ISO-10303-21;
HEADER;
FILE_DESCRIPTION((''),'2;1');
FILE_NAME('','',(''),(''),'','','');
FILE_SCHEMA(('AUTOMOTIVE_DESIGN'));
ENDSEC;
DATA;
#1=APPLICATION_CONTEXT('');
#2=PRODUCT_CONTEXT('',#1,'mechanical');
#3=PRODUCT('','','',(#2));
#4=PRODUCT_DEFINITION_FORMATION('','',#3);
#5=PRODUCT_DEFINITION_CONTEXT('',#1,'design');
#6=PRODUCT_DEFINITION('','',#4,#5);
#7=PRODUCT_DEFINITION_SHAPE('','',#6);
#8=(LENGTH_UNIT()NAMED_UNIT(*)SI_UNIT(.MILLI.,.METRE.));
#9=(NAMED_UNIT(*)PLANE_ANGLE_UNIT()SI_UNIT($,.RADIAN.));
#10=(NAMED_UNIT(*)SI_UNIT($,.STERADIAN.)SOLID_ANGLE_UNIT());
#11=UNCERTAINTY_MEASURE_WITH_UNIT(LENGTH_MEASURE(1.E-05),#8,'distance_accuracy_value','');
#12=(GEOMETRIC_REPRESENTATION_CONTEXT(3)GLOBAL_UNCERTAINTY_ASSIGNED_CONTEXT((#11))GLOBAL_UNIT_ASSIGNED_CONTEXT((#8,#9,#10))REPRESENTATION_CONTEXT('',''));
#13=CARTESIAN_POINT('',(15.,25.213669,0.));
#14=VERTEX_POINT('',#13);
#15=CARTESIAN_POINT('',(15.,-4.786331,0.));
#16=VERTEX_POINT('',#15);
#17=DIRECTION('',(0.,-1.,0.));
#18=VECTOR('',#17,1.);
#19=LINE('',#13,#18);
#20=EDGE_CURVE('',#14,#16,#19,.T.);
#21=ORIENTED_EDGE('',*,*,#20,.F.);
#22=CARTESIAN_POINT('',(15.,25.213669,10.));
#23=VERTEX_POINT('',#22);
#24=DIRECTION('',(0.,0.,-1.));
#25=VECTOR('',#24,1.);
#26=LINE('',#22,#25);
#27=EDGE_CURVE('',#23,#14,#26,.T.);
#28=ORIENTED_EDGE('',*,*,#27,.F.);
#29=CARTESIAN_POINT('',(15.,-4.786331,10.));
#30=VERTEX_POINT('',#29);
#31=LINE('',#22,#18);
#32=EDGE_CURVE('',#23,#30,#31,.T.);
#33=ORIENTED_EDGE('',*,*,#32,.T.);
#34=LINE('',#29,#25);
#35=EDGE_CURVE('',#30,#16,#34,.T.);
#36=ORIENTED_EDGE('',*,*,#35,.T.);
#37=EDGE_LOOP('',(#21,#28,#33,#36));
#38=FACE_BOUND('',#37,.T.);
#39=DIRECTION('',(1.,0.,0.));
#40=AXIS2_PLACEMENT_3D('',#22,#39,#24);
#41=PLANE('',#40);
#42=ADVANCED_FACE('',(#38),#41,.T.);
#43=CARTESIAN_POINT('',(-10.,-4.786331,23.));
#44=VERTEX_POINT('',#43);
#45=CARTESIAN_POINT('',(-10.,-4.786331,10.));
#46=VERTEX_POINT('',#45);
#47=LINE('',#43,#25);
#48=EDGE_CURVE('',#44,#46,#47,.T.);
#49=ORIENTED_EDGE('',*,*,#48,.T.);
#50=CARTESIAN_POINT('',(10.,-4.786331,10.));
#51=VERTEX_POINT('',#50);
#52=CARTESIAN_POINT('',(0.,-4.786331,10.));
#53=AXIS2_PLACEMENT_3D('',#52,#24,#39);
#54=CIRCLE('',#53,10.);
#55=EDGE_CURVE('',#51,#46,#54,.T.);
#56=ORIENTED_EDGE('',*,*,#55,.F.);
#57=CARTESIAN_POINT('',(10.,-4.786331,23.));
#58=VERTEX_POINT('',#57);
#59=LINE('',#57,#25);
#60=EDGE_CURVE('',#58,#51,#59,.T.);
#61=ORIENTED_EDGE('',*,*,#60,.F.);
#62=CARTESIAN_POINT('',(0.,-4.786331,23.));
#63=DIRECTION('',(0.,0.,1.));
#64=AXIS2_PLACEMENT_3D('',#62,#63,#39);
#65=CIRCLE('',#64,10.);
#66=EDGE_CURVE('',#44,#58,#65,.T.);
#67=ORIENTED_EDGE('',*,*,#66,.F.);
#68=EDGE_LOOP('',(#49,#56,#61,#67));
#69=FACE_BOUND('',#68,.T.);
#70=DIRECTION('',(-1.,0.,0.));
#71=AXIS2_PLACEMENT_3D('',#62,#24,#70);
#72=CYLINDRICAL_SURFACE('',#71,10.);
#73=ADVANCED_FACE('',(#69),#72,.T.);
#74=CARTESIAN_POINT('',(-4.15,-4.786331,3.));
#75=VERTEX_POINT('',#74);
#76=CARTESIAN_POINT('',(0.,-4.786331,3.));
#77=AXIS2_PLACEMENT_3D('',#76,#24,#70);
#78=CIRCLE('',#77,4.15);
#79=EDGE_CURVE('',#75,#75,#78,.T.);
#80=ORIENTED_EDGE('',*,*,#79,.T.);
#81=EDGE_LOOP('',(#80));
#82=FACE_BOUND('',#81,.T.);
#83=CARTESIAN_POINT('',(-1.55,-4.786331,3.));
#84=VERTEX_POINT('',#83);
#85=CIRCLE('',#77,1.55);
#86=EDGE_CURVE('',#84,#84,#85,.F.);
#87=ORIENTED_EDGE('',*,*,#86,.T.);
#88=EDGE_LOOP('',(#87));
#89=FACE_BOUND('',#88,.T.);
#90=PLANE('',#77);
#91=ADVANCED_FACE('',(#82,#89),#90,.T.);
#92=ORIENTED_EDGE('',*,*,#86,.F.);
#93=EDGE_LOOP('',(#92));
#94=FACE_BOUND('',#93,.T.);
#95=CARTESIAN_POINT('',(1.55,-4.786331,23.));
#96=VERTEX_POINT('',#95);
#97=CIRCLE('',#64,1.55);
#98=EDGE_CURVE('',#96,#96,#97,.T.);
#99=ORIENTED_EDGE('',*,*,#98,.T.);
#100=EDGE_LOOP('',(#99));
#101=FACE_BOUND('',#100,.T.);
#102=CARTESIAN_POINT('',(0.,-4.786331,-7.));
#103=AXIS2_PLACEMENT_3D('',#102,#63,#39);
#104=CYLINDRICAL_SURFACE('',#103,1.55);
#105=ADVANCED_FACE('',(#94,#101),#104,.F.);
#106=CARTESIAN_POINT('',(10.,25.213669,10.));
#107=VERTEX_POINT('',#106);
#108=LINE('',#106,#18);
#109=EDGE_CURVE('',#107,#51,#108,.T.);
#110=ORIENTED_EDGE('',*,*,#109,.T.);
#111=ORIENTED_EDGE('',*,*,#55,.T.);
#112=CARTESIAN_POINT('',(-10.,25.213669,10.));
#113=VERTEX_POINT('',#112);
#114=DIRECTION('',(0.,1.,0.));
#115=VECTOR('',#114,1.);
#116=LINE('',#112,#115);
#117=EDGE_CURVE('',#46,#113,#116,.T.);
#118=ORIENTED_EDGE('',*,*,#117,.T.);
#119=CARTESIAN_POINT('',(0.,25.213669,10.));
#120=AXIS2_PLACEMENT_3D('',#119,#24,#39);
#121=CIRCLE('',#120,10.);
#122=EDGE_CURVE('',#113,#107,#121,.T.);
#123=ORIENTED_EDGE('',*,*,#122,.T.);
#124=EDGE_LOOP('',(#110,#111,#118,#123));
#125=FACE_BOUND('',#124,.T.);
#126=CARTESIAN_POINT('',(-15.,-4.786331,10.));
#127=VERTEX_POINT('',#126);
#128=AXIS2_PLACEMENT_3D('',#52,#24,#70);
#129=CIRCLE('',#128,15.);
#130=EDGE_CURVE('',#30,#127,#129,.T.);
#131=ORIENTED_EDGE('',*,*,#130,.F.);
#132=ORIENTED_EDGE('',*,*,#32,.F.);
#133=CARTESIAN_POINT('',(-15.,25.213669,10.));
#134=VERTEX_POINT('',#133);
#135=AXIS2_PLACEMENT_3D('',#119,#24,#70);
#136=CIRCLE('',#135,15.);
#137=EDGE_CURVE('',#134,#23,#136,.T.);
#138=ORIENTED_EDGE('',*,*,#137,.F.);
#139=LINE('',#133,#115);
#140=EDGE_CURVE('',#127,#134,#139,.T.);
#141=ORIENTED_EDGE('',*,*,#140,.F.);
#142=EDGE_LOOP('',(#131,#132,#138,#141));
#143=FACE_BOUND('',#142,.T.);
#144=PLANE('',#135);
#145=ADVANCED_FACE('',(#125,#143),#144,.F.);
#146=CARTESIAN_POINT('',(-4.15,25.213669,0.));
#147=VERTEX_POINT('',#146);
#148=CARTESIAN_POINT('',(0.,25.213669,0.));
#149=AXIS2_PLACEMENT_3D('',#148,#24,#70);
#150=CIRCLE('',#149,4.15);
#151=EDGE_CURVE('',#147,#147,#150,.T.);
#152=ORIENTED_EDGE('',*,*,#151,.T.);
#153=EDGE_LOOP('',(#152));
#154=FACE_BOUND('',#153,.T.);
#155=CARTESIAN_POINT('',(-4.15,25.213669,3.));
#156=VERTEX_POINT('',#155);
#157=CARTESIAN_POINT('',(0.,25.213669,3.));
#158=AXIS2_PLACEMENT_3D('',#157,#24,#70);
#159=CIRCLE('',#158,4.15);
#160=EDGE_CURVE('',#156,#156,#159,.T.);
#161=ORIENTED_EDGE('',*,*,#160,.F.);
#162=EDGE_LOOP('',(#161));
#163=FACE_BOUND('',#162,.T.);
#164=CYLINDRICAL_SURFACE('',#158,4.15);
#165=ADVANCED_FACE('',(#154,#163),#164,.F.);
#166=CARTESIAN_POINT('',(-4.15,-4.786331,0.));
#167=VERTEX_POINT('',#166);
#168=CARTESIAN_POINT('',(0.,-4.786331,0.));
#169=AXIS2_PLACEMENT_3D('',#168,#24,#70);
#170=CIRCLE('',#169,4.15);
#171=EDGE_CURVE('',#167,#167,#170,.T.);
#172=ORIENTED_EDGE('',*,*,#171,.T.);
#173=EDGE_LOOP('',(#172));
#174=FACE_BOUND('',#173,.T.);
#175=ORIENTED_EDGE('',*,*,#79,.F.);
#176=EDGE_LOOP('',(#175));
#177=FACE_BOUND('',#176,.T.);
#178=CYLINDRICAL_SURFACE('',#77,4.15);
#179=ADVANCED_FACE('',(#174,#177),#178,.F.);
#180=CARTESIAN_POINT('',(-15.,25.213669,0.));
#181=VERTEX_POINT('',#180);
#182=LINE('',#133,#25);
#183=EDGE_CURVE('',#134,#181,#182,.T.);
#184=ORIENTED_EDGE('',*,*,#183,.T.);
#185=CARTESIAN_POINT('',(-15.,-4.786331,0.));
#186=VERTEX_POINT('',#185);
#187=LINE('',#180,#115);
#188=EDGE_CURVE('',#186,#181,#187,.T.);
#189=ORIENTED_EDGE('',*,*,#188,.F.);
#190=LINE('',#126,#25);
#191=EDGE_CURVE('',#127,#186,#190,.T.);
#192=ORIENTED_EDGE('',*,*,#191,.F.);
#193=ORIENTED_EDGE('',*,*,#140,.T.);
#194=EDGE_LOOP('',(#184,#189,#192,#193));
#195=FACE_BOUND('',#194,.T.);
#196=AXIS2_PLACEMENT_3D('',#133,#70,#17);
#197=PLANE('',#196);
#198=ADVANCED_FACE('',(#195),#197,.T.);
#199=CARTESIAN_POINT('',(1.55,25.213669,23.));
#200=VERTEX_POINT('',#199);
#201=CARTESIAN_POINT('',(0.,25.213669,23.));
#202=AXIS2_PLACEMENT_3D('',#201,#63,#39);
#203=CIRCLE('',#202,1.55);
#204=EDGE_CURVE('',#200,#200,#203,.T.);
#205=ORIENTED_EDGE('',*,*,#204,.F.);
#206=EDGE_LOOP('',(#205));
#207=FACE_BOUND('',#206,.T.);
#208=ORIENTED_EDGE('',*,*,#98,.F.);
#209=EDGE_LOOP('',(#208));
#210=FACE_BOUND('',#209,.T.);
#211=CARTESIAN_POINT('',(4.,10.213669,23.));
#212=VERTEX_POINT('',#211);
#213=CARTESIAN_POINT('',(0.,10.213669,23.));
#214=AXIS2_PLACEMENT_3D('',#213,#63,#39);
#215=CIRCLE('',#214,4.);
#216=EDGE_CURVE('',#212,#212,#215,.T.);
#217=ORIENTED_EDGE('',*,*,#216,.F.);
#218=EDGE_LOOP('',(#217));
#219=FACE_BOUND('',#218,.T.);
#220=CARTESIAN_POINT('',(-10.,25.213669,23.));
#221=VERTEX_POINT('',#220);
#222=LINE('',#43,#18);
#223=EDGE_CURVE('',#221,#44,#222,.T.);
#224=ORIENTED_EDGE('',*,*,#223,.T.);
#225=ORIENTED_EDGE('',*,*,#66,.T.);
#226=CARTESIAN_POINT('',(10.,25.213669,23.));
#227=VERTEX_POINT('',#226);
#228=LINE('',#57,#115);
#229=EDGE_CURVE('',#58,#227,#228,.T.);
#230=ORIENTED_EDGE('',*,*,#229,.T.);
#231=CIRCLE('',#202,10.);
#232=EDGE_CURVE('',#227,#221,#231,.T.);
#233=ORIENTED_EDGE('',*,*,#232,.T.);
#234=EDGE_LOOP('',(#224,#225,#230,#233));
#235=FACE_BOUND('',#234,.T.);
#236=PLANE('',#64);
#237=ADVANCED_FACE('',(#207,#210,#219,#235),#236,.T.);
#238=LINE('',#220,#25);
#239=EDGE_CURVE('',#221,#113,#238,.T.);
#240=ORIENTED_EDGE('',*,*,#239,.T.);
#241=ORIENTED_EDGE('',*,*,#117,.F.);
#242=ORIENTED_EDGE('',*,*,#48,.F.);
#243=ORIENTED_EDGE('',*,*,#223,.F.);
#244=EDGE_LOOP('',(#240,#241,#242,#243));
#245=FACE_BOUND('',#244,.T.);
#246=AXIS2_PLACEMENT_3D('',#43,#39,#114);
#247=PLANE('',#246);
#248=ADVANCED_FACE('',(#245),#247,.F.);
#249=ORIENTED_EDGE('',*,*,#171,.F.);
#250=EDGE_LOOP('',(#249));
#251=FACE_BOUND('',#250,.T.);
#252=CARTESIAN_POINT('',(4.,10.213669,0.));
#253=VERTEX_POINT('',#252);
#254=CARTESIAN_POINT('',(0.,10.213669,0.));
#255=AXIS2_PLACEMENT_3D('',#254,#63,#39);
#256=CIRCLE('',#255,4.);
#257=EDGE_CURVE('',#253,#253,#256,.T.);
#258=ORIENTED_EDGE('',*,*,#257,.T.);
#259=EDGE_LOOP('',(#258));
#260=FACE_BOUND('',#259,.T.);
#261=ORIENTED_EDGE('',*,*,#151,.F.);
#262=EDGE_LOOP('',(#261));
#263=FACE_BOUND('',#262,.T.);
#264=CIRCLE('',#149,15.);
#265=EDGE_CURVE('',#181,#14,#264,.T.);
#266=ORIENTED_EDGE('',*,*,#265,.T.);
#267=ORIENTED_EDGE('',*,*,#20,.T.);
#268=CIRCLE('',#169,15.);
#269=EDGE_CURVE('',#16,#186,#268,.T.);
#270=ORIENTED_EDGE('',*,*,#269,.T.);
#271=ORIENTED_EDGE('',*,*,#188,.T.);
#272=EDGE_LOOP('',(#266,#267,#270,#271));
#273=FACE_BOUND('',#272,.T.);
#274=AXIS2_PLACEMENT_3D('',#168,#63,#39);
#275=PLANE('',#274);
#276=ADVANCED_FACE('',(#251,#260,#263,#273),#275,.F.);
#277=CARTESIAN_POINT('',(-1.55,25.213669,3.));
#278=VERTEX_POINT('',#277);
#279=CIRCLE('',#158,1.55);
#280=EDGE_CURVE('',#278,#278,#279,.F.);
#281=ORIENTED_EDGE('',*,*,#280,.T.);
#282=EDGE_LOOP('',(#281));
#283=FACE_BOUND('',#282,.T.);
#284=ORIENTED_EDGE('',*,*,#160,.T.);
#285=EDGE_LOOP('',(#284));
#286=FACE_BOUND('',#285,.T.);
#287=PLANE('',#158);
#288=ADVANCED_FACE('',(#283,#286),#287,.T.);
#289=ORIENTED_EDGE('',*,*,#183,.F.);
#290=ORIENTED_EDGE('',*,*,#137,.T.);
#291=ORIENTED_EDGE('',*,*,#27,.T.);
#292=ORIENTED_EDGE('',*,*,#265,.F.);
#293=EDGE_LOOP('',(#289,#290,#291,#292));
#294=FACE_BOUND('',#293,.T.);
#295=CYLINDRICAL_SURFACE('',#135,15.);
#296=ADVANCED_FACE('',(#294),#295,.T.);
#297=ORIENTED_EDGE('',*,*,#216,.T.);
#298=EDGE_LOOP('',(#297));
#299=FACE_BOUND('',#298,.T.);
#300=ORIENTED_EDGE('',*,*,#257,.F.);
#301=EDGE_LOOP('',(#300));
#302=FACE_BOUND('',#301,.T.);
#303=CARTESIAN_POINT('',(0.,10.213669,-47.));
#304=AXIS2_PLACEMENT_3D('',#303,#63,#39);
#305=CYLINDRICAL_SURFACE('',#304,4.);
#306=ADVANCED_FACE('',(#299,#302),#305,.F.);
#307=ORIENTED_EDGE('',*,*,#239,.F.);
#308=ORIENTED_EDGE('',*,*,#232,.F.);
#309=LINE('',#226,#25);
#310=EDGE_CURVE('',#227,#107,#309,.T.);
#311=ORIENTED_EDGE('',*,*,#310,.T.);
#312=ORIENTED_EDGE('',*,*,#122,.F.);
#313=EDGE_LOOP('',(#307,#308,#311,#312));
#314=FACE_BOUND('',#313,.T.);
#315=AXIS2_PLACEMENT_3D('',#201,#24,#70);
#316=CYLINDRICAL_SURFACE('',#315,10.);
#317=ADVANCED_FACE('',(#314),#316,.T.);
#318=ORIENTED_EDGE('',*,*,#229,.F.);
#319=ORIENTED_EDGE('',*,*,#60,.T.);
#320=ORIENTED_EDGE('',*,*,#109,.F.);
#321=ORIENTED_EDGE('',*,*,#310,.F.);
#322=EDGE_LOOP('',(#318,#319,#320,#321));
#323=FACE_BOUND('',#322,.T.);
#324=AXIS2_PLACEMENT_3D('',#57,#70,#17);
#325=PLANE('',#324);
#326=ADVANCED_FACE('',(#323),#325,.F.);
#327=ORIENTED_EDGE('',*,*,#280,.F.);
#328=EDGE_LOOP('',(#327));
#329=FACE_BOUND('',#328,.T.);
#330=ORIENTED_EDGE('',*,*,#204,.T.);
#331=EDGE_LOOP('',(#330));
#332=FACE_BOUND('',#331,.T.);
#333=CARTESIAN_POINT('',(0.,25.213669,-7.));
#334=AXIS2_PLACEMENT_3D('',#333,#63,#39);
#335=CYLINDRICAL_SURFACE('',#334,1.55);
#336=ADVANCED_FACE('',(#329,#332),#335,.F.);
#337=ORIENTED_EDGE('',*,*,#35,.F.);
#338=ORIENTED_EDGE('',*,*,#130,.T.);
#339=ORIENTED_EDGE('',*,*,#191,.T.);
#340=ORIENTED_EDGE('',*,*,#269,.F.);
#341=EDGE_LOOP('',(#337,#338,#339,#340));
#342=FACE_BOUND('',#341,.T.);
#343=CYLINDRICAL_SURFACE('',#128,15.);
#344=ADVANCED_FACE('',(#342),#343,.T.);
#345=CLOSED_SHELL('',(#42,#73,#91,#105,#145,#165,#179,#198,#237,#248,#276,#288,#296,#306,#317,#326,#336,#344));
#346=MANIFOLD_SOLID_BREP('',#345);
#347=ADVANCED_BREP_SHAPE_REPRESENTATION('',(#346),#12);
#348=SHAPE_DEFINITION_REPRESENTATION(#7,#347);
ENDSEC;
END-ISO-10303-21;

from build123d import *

# Parameters (mm, degrees)
BOSS_EXTRUDE1_DEPTH     = 23
SKETCH2_R               = 1.55
CUT_EXTRUDE1_DEPTH      = 30
BOSS_EXTRUDE2_DEPTH     = 10
SKETCH5_R               = 4
CUT_EXTRUDE3_DEPTH      = 70
ESQUISSE1_R             = 4.15
ENL_V_MAT_EXTRU_1_DEPTH = 3


with BuildPart() as part:
    # Sketch1 → Boss-Extrude1 (new body)
    with BuildSketch(Plane.XY):
        with BuildLine():
            Line((-10, -4.786331479), (-10, 25.213668521))
            ThreePointArc((-10, 25.213668521), (0, 35.213668521), (10, 25.213668521))
            Line((10, 25.213668521), (10, -4.786331479))
            ThreePointArc((10, -4.786331479), (0, -14.786331479), (-10, -4.786331479))
        make_face()
    extrude(amount=BOSS_EXTRUDE1_DEPTH)

    # Sketch2 → Cut-Extrude1 (cut)
    with BuildSketch(Plane.XY.offset(23)):
        with Locations((0, 25.213668521)):
            Circle(SKETCH2_R)
        with Locations((0, -4.786331479)):
            Circle(SKETCH2_R)
    extrude(amount=-CUT_EXTRUDE1_DEPTH, mode=Mode.SUBTRACT)

    # Sketch3 → Boss-Extrude2 (add)
    with BuildSketch(Plane(origin=(0, 0, 0), x_dir=(-1, 0, 0), z_dir=(0, 0, -1))):
        with BuildLine():
            Line((-15, 25.213668521), (-15, -4.786331479))
            ThreePointArc((-15, -4.786331479), (0, -19.786331479), (15, -4.786331479))
            Line((15, -4.786331479), (15, 25.213668521))
            ThreePointArc((15, 25.213668521), (0, 40.213668521), (-15, 25.213668521))
        make_face()
        with BuildLine():
            Line((-10, 25.213668521), (-10, -4.786331479))
            ThreePointArc((-10, -4.786331479), (0, -14.786331479), (10, -4.786331479))
            Line((10, -4.786331479), (10, 25.213668521))
            ThreePointArc((10, 25.213668521), (0, 35.213668521), (-10, 25.213668521))
        make_face(mode=Mode.SUBTRACT)
    extrude(amount=-BOSS_EXTRUDE2_DEPTH)

    # Sketch5 → Cut-Extrude3 (cut)
    with BuildSketch(Plane.XY.offset(23)):
        with Locations((0, 10.213668521)):
            Circle(SKETCH5_R)
    extrude(amount=-CUT_EXTRUDE3_DEPTH, mode=Mode.SUBTRACT)

    # Esquisse1 → Enlèv. mat.-Extru.1 (cut)
    with BuildSketch(Plane(origin=(0, 0, 0), x_dir=(-1, 0, 0), z_dir=(0, 0, -1))):
        with Locations((0, 25.213668521)):
            Circle(ESQUISSE1_R)
        with Locations((0, -4.786331479)):
            Circle(ESQUISSE1_R)
    extrude(amount=-ENL_V_MAT_EXTRU_1_DEPTH, mode=Mode.SUBTRACT)


solid = part.part
